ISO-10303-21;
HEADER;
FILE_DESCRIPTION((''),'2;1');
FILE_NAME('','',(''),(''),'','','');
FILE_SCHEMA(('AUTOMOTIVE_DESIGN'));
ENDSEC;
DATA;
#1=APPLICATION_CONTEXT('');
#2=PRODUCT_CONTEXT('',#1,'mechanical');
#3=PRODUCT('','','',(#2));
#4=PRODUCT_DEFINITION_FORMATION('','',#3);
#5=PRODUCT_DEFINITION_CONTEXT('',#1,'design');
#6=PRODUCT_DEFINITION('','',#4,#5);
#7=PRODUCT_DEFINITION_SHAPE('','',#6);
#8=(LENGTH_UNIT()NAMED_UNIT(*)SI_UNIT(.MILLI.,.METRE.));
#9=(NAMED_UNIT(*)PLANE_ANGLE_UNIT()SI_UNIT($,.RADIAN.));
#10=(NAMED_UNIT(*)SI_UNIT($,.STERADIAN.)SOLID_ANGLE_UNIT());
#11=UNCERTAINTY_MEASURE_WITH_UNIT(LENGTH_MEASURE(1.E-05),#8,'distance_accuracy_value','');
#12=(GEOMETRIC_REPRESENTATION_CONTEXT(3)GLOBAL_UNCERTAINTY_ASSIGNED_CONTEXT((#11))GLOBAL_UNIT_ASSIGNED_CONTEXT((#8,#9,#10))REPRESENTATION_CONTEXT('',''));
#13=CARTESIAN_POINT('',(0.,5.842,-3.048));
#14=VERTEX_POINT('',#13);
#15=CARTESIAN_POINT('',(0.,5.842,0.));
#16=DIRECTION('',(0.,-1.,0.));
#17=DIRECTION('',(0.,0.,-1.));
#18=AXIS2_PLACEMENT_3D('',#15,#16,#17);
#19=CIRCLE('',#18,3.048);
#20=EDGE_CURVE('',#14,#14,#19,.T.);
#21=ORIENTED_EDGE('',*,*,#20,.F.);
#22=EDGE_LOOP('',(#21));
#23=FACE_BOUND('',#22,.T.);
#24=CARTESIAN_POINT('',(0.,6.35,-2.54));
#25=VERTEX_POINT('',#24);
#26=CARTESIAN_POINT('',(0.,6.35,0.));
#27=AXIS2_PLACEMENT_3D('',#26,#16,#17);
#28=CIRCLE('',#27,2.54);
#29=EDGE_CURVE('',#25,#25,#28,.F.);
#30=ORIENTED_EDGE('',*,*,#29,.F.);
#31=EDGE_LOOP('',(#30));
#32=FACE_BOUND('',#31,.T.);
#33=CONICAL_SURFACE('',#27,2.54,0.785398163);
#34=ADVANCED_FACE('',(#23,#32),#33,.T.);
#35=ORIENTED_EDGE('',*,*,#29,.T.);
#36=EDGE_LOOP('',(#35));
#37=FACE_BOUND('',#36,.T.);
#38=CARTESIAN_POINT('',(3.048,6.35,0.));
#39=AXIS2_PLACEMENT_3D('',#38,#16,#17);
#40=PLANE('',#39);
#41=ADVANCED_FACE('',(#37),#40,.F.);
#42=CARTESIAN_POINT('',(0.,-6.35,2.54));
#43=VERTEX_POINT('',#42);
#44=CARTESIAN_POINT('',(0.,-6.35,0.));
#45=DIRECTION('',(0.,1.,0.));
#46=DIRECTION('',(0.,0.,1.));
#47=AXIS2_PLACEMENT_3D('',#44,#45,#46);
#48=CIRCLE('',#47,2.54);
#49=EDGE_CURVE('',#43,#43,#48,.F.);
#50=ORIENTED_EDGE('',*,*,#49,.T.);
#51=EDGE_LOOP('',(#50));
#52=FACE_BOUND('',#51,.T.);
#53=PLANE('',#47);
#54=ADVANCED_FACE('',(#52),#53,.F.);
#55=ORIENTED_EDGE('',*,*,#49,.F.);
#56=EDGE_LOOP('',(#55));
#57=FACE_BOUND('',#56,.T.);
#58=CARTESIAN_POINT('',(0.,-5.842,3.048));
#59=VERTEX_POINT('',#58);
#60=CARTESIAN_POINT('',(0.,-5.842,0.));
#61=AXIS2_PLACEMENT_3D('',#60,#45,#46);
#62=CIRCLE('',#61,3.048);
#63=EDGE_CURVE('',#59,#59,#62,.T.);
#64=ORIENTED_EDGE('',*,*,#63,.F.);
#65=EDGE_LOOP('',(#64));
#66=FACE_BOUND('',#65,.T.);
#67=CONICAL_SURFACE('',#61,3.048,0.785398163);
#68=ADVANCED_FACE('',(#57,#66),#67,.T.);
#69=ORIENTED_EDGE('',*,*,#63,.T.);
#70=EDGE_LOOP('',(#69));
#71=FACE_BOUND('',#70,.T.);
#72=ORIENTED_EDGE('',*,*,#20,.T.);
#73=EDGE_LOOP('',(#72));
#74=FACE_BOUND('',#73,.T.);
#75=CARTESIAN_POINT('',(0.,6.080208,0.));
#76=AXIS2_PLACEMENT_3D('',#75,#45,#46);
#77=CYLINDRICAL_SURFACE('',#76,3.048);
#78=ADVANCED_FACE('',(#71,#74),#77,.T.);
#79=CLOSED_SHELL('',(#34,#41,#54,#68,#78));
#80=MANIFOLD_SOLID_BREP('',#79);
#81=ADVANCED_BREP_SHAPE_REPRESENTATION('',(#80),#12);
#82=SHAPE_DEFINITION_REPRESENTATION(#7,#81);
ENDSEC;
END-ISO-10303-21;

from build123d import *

# Parameters (mm, degrees)
SKETCH1_W     = 3.048
SKETCH1_H     = 12.7
CHAMFER1_SIZE = 0.508


with BuildPart() as part:
    # Sketch1 → Revolve1 (revolve)
    with BuildSketch(Plane.XY):
        with Locations((1.524, 0)):
            Rectangle(SKETCH1_W, SKETCH1_H)
    revolve(axis=Axis((0, 6.080207887, 0), (0, -1, 0)))

    # Chamfer1
    chamfer1_edges = [part.edges().sort_by_distance(p)[0] for p in [
        (-3.048, 6.35, 0),
        (-3.048, -6.35, 0),
    ]]
    chamfer(chamfer1_edges, length=CHAMFER1_SIZE)


solid = part.part
